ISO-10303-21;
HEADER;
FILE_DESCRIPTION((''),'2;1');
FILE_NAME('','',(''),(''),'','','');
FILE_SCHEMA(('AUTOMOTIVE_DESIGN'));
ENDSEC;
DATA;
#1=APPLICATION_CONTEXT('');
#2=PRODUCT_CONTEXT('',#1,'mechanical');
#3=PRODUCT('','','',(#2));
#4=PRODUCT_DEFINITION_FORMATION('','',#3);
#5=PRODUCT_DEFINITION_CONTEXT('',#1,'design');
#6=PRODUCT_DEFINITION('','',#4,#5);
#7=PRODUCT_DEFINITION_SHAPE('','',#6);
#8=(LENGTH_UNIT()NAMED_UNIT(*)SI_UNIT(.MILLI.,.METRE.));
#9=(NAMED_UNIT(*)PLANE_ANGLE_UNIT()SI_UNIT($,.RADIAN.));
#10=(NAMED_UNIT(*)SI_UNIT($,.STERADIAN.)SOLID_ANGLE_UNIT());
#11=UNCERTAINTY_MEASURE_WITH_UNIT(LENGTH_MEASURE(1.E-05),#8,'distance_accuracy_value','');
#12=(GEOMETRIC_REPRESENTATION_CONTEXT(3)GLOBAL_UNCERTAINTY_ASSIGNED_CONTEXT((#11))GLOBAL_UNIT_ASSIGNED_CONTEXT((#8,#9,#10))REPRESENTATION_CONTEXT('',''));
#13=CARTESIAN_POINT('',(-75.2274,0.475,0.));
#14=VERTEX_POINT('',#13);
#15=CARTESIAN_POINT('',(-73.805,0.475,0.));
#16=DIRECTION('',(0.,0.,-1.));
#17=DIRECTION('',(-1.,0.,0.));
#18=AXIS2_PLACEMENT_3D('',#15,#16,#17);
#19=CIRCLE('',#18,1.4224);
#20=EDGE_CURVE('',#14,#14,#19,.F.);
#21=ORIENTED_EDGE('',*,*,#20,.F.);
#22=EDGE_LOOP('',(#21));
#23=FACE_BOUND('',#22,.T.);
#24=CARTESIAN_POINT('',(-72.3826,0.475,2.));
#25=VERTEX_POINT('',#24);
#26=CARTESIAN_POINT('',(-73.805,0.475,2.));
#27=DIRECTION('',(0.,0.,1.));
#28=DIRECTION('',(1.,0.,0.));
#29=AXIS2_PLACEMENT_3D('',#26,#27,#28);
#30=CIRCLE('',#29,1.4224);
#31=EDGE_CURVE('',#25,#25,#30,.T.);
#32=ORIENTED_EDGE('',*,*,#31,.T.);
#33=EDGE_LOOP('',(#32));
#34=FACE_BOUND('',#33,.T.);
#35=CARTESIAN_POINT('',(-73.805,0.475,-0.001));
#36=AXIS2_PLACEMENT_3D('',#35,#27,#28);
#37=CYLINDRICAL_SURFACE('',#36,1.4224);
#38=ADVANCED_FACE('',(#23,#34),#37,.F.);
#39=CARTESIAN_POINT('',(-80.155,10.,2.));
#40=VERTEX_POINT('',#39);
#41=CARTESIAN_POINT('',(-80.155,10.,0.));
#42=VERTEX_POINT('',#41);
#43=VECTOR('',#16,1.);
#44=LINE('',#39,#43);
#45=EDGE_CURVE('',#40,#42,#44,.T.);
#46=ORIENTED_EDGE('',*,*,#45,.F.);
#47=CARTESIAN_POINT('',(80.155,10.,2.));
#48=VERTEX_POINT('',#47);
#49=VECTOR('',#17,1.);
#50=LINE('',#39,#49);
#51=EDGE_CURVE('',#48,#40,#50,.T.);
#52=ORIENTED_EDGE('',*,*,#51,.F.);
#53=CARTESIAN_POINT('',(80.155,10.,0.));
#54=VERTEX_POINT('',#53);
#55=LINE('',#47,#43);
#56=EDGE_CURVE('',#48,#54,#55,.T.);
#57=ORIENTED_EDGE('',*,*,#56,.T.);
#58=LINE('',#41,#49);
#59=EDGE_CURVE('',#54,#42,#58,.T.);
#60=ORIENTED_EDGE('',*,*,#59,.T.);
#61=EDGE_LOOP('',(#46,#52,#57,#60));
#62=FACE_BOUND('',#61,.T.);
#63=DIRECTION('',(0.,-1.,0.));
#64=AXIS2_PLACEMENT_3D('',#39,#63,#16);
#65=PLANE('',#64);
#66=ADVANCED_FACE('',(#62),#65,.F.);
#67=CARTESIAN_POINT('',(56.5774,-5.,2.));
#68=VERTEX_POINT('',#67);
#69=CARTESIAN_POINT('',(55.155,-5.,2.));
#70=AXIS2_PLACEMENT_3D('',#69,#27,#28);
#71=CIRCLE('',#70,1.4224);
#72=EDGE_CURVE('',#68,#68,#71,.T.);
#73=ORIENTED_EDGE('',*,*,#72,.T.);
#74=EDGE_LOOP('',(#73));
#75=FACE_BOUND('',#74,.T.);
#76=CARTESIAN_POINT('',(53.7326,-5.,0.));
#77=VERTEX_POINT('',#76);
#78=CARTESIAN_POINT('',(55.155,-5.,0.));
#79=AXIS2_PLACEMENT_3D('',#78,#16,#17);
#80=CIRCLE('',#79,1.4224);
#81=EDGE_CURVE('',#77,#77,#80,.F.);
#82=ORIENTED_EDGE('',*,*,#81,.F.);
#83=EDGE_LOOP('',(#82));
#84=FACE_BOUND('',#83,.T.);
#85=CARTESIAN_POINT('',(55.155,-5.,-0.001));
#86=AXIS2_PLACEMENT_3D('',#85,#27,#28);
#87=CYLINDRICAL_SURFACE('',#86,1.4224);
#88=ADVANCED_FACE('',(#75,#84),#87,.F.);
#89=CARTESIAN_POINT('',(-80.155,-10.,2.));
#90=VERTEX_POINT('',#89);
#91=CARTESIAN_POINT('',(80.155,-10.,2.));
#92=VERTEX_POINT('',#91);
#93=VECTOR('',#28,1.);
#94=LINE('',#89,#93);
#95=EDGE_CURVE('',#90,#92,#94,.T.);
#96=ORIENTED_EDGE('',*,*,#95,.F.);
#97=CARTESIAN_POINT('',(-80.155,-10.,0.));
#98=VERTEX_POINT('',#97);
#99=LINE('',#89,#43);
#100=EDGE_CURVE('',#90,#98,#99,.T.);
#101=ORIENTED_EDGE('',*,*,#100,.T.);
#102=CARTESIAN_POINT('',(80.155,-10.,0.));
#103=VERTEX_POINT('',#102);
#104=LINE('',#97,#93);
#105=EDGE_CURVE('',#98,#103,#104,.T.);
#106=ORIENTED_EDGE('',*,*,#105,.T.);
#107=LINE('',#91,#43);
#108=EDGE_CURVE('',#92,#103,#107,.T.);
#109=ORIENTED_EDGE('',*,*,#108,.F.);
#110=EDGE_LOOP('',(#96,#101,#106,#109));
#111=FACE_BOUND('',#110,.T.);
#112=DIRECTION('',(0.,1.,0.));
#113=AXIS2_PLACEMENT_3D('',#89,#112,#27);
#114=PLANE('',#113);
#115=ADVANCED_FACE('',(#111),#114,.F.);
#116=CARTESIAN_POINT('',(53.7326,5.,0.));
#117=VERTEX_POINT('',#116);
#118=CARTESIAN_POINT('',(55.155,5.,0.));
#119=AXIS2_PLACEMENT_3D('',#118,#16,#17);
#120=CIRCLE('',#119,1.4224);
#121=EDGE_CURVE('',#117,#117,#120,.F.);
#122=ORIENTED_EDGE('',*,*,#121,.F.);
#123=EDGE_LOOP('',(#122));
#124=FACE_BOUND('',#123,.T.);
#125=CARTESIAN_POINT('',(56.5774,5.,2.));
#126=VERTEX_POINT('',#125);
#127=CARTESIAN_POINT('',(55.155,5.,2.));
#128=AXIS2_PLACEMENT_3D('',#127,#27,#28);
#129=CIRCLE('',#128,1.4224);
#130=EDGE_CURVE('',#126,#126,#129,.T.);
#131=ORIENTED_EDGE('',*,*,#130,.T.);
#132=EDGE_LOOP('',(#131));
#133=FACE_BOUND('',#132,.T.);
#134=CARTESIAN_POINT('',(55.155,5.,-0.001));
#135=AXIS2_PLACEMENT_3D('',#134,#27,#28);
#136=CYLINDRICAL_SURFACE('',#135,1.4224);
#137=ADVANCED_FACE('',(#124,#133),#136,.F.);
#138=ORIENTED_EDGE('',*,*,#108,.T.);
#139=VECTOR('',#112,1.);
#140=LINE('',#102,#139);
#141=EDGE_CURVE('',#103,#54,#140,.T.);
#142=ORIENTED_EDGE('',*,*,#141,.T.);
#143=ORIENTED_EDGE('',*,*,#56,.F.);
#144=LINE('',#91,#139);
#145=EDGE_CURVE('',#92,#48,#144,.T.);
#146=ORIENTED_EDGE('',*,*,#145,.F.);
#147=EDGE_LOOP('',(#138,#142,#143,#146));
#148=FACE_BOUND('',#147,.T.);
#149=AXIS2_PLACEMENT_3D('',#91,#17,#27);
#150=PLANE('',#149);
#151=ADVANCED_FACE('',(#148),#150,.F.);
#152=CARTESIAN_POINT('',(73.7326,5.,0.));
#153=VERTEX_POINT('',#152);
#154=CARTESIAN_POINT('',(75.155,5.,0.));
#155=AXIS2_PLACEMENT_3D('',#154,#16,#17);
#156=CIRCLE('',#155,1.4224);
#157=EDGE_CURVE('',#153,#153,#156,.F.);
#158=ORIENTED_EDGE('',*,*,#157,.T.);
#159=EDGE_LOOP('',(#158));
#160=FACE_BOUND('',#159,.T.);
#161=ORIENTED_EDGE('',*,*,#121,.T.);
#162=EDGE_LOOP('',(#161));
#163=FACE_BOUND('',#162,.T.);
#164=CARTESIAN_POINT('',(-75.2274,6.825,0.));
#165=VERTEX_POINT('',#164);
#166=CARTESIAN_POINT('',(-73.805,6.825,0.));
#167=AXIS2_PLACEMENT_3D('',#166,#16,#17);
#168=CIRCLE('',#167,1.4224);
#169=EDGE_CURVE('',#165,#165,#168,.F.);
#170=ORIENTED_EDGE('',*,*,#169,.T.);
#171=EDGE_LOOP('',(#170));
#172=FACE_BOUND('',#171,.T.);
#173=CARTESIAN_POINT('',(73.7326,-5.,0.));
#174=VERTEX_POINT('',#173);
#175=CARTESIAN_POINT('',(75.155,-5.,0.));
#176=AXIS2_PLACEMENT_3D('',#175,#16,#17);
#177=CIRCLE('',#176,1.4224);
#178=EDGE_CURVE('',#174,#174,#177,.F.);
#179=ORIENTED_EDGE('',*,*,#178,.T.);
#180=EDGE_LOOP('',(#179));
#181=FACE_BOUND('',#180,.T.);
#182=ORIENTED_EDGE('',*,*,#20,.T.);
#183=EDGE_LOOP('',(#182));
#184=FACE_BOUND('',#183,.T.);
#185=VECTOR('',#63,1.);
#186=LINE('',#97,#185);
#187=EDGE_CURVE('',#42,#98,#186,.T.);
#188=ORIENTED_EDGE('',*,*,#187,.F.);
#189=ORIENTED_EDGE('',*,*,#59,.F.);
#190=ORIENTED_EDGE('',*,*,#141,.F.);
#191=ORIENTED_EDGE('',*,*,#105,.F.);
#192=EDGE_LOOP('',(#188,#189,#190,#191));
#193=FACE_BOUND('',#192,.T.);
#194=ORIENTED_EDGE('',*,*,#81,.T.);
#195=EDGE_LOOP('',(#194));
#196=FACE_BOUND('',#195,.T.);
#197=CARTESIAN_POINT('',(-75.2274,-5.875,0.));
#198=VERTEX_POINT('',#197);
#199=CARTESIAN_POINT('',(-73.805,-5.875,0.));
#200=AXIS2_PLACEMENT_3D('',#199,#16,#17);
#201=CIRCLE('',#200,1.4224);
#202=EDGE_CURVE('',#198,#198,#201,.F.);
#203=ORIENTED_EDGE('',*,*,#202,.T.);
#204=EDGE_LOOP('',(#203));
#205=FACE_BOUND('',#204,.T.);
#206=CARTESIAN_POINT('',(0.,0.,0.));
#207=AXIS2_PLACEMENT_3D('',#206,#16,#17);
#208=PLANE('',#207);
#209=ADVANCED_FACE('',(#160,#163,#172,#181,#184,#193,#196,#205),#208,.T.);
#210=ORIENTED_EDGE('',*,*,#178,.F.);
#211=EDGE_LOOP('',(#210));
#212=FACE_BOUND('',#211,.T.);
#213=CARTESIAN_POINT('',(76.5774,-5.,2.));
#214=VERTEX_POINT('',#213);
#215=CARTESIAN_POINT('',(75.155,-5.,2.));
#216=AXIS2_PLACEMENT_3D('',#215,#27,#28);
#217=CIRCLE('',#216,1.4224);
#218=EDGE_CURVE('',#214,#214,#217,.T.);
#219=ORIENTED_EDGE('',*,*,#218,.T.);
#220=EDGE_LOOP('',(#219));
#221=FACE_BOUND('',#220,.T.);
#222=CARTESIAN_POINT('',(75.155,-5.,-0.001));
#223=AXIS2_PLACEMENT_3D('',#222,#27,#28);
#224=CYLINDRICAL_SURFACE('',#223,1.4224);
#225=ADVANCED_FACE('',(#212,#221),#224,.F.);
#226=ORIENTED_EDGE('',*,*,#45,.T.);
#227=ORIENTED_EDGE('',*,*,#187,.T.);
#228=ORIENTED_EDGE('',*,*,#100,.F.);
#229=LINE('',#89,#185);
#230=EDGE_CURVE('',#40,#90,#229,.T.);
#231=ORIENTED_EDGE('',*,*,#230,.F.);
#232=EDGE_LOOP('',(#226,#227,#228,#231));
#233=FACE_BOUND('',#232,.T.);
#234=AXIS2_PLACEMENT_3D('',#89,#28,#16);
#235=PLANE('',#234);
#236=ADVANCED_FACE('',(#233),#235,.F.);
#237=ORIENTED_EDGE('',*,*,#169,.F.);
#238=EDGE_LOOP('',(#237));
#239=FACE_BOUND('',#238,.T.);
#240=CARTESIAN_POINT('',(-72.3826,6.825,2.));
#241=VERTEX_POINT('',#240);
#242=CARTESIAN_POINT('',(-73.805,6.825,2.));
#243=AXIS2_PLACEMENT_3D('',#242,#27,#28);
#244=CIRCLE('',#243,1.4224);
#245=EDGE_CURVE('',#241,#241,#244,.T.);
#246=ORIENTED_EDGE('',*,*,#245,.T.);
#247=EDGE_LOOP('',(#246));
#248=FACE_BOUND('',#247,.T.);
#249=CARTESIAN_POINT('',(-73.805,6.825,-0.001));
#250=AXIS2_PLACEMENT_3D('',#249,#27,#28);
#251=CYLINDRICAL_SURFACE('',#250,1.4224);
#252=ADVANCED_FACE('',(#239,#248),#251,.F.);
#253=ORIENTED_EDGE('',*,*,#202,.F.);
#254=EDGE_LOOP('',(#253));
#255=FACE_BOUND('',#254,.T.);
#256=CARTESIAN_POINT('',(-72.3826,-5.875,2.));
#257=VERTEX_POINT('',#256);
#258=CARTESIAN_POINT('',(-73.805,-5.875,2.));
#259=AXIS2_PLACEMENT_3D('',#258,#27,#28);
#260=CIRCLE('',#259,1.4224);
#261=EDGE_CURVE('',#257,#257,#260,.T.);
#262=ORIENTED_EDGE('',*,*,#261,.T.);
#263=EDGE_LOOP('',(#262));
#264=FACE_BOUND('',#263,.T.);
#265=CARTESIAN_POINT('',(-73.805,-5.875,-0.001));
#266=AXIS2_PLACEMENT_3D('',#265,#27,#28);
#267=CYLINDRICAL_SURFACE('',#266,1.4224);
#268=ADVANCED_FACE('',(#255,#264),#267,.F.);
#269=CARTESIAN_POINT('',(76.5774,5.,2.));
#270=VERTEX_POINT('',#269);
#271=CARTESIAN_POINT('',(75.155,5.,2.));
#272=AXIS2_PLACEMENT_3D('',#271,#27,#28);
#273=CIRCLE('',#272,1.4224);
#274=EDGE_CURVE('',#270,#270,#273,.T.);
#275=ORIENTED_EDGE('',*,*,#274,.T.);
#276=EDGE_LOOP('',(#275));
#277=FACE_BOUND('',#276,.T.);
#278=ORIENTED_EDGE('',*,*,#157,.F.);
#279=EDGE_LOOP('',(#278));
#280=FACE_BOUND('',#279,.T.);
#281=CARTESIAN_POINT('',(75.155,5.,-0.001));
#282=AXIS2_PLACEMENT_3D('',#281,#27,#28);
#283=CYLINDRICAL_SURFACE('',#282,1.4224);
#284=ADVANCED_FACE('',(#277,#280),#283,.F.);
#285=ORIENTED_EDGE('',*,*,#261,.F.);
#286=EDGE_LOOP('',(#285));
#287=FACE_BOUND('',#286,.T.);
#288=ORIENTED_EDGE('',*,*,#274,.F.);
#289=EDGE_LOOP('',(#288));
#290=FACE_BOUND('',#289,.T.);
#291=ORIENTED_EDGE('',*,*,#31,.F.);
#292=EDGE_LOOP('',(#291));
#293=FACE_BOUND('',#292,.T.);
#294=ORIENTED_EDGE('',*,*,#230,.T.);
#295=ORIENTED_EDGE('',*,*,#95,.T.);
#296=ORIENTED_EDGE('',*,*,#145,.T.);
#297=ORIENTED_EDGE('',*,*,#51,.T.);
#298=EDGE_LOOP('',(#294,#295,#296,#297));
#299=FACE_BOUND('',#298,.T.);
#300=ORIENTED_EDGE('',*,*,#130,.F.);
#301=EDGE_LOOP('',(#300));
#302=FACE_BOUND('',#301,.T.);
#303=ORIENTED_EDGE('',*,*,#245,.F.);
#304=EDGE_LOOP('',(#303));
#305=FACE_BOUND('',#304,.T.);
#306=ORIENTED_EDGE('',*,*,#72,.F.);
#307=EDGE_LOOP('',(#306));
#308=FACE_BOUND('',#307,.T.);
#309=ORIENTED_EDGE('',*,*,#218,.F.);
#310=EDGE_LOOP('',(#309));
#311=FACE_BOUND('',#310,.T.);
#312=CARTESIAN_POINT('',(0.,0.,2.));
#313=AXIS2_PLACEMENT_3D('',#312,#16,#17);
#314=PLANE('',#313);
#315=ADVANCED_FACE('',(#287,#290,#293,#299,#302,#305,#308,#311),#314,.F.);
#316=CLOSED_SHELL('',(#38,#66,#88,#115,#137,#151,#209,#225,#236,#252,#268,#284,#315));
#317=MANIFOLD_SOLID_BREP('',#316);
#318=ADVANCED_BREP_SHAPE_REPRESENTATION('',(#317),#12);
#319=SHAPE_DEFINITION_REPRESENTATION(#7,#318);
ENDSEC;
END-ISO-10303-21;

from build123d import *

# Parameters (mm, degrees)
SKETCH1_W           = 160.31
SKETCH1_H           = 20
BOSS_EXTRUDE1_DEPTH = 2
CUT_EXTRUDE1_REACH  = 82.801
SKETCH2_R           = 1.4224


with BuildPart() as part:
    # Sketch1 → Boss-Extrude1 (new body)
    with BuildSketch(Plane.XY):
        Rectangle(SKETCH1_W, SKETCH1_H)
    extrude(amount=BOSS_EXTRUDE1_DEPTH)

    # Sketch2 → Cut-Extrude1 (cut, up to next)
    with BuildSketch(Plane.XY.offset(2), mode=Mode.PRIVATE) as cut_extrude1_sk1:
        with Locations((-73.805, 6.825)):
            Circle(SKETCH2_R)
    cut_extrude1_tool1 = extrude(cut_extrude1_sk1.sketch, amount=-CUT_EXTRUDE1_REACH, mode=Mode.PRIVATE) & part.part
    # Sketch2 → Cut-Extrude1 (cut, up to next)
    with BuildSketch(Plane.XY.offset(2), mode=Mode.PRIVATE) as cut_extrude1_sk2:
        with Locations((-73.805, 0.475)):
            Circle(SKETCH2_R)
    cut_extrude1_tool2 = extrude(cut_extrude1_sk2.sketch, amount=-CUT_EXTRUDE1_REACH, mode=Mode.PRIVATE) & part.part
    # Sketch2 → Cut-Extrude1 (cut, up to next)
    with BuildSketch(Plane.XY.offset(2), mode=Mode.PRIVATE) as cut_extrude1_sk3:
        with Locations((-73.805, -5.875)):
            Circle(SKETCH2_R)
    cut_extrude1_tool3 = extrude(cut_extrude1_sk3.sketch, amount=-CUT_EXTRUDE1_REACH, mode=Mode.PRIVATE) & part.part
    # Sketch2 → Cut-Extrude1 (cut, up to next)
    with BuildSketch(Plane.XY.offset(2), mode=Mode.PRIVATE) as cut_extrude1_sk4:
        with Locations((75.155, 5)):
            Circle(SKETCH2_R)
    cut_extrude1_tool4 = extrude(cut_extrude1_sk4.sketch, amount=-CUT_EXTRUDE1_REACH, mode=Mode.PRIVATE) & part.part
    # Sketch2 → Cut-Extrude1 (cut, up to next)
    with BuildSketch(Plane.XY.offset(2), mode=Mode.PRIVATE) as cut_extrude1_sk5:
        with Locations((55.155, 5)):
            Circle(SKETCH2_R)
    cut_extrude1_tool5 = extrude(cut_extrude1_sk5.sketch, amount=-CUT_EXTRUDE1_REACH, mode=Mode.PRIVATE) & part.part
    # Sketch2 → Cut-Extrude1 (cut, up to next)
    with BuildSketch(Plane.XY.offset(2), mode=Mode.PRIVATE) as cut_extrude1_sk6:
        with Locations((55.155, -5)):
            Circle(SKETCH2_R)
    cut_extrude1_tool6 = extrude(cut_extrude1_sk6.sketch, amount=-CUT_EXTRUDE1_REACH, mode=Mode.PRIVATE) & part.part
    # Sketch2 → Cut-Extrude1 (cut, up to next)
    with BuildSketch(Plane.XY.offset(2), mode=Mode.PRIVATE) as cut_extrude1_sk7:
        with Locations((75.155, -5)):
            Circle(SKETCH2_R)
    cut_extrude1_tool7 = extrude(cut_extrude1_sk7.sketch, amount=-CUT_EXTRUDE1_REACH, mode=Mode.PRIVATE) & part.part
    add(cut_extrude1_tool1.solids().sort_by_distance((-73.805, 6.825, 2))[0], mode=Mode.SUBTRACT)
    add(cut_extrude1_tool2.solids().sort_by_distance((-73.805, 0.475, 2))[0], mode=Mode.SUBTRACT)
    add(cut_extrude1_tool3.solids().sort_by_distance((-73.805, -5.875, 2))[0], mode=Mode.SUBTRACT)
    add(cut_extrude1_tool4.solids().sort_by_distance((75.155, 5, 2))[0], mode=Mode.SUBTRACT)
    add(cut_extrude1_tool5.solids().sort_by_distance((55.155, 5, 2))[0], mode=Mode.SUBTRACT)
    add(cut_extrude1_tool6.solids().sort_by_distance((55.155, -5, 2))[0], mode=Mode.SUBTRACT)
    add(cut_extrude1_tool7.solids().sort_by_distance((75.155, -5, 2))[0], mode=Mode.SUBTRACT)


solid = part.part
